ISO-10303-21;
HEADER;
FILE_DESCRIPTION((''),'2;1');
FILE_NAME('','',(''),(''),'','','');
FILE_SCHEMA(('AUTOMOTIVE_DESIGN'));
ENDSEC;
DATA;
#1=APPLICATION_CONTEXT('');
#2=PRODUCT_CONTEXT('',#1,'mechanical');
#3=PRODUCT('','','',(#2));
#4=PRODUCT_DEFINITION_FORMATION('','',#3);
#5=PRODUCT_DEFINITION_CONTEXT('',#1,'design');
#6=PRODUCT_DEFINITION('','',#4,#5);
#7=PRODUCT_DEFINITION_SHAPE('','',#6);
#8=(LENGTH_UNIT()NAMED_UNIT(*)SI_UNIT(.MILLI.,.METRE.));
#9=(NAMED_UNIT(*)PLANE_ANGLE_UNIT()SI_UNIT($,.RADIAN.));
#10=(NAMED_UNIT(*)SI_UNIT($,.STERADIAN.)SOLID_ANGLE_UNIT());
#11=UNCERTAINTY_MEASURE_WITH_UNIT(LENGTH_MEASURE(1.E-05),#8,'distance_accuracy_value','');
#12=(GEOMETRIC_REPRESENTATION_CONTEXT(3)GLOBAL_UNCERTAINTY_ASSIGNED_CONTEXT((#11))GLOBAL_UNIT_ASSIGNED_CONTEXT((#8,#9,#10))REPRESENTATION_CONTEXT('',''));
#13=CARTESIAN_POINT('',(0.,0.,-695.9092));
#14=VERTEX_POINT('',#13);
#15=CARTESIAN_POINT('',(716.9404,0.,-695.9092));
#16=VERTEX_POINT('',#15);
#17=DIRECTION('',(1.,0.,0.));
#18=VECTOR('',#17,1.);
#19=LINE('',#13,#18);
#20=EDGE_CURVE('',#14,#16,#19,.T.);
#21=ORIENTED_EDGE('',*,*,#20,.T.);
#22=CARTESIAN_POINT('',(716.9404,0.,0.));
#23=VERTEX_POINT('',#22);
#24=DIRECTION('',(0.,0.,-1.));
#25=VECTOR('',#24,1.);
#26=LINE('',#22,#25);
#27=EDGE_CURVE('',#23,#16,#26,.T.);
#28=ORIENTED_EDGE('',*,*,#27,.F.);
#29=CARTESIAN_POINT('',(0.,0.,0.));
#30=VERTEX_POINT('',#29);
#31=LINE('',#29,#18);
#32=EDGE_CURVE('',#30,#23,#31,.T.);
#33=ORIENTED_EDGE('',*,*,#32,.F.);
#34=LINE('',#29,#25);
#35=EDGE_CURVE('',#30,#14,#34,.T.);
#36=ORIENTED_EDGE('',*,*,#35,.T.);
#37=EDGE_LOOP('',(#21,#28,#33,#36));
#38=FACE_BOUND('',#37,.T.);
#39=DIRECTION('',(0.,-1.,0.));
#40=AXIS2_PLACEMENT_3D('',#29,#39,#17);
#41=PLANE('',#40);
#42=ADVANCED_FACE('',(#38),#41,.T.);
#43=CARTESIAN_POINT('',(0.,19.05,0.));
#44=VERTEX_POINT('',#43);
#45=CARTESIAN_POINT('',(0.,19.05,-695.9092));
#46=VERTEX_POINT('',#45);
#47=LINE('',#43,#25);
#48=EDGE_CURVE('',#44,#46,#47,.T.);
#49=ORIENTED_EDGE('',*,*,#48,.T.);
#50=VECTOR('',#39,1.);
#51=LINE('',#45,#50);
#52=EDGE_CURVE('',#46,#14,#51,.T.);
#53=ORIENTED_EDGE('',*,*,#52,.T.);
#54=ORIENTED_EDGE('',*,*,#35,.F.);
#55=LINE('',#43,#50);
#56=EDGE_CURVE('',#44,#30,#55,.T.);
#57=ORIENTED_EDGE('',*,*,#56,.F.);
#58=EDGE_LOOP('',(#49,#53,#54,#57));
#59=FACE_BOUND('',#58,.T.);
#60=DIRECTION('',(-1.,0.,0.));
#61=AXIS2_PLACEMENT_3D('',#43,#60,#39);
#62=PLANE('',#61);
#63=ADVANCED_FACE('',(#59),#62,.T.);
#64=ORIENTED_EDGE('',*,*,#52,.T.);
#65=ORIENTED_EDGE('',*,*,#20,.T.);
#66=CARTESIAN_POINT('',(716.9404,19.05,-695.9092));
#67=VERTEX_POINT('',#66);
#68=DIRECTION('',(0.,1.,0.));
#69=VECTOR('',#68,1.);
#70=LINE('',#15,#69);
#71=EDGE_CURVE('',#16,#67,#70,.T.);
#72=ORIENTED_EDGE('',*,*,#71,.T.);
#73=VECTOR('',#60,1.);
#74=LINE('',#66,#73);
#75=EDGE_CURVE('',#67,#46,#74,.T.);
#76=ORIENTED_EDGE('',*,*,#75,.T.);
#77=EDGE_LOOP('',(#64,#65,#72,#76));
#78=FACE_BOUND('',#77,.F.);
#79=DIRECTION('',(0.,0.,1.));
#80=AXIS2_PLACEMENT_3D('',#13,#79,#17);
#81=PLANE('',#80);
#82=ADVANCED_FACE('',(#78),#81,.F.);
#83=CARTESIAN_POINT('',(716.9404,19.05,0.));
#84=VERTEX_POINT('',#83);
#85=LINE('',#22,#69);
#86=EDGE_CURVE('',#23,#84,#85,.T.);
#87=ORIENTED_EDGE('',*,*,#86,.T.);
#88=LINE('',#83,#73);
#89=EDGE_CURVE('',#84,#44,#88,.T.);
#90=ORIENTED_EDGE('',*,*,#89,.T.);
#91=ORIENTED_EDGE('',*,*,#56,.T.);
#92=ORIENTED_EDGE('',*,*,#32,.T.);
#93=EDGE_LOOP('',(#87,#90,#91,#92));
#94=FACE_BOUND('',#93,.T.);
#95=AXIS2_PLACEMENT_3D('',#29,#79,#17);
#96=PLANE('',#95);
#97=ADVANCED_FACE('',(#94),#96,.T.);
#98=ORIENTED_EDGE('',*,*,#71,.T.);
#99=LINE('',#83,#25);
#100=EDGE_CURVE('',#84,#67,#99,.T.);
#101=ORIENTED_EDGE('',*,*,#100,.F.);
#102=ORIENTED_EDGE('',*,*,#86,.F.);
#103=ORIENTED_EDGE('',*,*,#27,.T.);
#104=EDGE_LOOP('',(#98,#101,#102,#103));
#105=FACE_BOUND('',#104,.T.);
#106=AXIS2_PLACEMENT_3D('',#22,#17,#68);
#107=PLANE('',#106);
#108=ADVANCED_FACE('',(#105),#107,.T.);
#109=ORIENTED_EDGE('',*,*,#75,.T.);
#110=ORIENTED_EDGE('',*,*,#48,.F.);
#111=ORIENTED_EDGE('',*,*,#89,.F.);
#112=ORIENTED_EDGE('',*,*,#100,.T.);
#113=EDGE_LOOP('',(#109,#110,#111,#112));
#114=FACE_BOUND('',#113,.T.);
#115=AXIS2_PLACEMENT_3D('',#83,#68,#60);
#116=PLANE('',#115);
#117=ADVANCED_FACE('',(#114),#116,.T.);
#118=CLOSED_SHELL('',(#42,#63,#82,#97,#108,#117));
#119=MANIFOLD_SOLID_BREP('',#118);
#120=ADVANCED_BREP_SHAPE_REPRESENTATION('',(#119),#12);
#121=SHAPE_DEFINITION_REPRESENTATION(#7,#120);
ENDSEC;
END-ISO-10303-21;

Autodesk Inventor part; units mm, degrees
ref_plane "YZ Plane" through (0, 0, 0) normal (1, 0, 0) x (0, 1, 0)
ref_plane "XZ Plane" through (0, 0, 0) normal (0, 1, 0) x (-1, 0, 0)
ref_plane "XY Plane" through (0, 0, 0) normal (0, 0, 1) x (1, 0, 0)
sketch "Sketch1" plane through (0, 0, 0) normal (0, 0, 1) x (1, 0, 0)
  line L0 (0, 0) -> (716.9404, 0)
  line L1 (716.9404, 0) -> (716.9404, 19.05)
  line L2 (716.9404, 19.05) -> (0, 19.05)
  line L3 (0, 19.05) -> (0, 0)
  dimension "d0" = 716.9404
  dimension "d1" = 19.05
extrude "Extrusion1" add sketch "Sketch1" against normal blind 695.9092
properties part number "Plywood Base - Mellie Side cart"
